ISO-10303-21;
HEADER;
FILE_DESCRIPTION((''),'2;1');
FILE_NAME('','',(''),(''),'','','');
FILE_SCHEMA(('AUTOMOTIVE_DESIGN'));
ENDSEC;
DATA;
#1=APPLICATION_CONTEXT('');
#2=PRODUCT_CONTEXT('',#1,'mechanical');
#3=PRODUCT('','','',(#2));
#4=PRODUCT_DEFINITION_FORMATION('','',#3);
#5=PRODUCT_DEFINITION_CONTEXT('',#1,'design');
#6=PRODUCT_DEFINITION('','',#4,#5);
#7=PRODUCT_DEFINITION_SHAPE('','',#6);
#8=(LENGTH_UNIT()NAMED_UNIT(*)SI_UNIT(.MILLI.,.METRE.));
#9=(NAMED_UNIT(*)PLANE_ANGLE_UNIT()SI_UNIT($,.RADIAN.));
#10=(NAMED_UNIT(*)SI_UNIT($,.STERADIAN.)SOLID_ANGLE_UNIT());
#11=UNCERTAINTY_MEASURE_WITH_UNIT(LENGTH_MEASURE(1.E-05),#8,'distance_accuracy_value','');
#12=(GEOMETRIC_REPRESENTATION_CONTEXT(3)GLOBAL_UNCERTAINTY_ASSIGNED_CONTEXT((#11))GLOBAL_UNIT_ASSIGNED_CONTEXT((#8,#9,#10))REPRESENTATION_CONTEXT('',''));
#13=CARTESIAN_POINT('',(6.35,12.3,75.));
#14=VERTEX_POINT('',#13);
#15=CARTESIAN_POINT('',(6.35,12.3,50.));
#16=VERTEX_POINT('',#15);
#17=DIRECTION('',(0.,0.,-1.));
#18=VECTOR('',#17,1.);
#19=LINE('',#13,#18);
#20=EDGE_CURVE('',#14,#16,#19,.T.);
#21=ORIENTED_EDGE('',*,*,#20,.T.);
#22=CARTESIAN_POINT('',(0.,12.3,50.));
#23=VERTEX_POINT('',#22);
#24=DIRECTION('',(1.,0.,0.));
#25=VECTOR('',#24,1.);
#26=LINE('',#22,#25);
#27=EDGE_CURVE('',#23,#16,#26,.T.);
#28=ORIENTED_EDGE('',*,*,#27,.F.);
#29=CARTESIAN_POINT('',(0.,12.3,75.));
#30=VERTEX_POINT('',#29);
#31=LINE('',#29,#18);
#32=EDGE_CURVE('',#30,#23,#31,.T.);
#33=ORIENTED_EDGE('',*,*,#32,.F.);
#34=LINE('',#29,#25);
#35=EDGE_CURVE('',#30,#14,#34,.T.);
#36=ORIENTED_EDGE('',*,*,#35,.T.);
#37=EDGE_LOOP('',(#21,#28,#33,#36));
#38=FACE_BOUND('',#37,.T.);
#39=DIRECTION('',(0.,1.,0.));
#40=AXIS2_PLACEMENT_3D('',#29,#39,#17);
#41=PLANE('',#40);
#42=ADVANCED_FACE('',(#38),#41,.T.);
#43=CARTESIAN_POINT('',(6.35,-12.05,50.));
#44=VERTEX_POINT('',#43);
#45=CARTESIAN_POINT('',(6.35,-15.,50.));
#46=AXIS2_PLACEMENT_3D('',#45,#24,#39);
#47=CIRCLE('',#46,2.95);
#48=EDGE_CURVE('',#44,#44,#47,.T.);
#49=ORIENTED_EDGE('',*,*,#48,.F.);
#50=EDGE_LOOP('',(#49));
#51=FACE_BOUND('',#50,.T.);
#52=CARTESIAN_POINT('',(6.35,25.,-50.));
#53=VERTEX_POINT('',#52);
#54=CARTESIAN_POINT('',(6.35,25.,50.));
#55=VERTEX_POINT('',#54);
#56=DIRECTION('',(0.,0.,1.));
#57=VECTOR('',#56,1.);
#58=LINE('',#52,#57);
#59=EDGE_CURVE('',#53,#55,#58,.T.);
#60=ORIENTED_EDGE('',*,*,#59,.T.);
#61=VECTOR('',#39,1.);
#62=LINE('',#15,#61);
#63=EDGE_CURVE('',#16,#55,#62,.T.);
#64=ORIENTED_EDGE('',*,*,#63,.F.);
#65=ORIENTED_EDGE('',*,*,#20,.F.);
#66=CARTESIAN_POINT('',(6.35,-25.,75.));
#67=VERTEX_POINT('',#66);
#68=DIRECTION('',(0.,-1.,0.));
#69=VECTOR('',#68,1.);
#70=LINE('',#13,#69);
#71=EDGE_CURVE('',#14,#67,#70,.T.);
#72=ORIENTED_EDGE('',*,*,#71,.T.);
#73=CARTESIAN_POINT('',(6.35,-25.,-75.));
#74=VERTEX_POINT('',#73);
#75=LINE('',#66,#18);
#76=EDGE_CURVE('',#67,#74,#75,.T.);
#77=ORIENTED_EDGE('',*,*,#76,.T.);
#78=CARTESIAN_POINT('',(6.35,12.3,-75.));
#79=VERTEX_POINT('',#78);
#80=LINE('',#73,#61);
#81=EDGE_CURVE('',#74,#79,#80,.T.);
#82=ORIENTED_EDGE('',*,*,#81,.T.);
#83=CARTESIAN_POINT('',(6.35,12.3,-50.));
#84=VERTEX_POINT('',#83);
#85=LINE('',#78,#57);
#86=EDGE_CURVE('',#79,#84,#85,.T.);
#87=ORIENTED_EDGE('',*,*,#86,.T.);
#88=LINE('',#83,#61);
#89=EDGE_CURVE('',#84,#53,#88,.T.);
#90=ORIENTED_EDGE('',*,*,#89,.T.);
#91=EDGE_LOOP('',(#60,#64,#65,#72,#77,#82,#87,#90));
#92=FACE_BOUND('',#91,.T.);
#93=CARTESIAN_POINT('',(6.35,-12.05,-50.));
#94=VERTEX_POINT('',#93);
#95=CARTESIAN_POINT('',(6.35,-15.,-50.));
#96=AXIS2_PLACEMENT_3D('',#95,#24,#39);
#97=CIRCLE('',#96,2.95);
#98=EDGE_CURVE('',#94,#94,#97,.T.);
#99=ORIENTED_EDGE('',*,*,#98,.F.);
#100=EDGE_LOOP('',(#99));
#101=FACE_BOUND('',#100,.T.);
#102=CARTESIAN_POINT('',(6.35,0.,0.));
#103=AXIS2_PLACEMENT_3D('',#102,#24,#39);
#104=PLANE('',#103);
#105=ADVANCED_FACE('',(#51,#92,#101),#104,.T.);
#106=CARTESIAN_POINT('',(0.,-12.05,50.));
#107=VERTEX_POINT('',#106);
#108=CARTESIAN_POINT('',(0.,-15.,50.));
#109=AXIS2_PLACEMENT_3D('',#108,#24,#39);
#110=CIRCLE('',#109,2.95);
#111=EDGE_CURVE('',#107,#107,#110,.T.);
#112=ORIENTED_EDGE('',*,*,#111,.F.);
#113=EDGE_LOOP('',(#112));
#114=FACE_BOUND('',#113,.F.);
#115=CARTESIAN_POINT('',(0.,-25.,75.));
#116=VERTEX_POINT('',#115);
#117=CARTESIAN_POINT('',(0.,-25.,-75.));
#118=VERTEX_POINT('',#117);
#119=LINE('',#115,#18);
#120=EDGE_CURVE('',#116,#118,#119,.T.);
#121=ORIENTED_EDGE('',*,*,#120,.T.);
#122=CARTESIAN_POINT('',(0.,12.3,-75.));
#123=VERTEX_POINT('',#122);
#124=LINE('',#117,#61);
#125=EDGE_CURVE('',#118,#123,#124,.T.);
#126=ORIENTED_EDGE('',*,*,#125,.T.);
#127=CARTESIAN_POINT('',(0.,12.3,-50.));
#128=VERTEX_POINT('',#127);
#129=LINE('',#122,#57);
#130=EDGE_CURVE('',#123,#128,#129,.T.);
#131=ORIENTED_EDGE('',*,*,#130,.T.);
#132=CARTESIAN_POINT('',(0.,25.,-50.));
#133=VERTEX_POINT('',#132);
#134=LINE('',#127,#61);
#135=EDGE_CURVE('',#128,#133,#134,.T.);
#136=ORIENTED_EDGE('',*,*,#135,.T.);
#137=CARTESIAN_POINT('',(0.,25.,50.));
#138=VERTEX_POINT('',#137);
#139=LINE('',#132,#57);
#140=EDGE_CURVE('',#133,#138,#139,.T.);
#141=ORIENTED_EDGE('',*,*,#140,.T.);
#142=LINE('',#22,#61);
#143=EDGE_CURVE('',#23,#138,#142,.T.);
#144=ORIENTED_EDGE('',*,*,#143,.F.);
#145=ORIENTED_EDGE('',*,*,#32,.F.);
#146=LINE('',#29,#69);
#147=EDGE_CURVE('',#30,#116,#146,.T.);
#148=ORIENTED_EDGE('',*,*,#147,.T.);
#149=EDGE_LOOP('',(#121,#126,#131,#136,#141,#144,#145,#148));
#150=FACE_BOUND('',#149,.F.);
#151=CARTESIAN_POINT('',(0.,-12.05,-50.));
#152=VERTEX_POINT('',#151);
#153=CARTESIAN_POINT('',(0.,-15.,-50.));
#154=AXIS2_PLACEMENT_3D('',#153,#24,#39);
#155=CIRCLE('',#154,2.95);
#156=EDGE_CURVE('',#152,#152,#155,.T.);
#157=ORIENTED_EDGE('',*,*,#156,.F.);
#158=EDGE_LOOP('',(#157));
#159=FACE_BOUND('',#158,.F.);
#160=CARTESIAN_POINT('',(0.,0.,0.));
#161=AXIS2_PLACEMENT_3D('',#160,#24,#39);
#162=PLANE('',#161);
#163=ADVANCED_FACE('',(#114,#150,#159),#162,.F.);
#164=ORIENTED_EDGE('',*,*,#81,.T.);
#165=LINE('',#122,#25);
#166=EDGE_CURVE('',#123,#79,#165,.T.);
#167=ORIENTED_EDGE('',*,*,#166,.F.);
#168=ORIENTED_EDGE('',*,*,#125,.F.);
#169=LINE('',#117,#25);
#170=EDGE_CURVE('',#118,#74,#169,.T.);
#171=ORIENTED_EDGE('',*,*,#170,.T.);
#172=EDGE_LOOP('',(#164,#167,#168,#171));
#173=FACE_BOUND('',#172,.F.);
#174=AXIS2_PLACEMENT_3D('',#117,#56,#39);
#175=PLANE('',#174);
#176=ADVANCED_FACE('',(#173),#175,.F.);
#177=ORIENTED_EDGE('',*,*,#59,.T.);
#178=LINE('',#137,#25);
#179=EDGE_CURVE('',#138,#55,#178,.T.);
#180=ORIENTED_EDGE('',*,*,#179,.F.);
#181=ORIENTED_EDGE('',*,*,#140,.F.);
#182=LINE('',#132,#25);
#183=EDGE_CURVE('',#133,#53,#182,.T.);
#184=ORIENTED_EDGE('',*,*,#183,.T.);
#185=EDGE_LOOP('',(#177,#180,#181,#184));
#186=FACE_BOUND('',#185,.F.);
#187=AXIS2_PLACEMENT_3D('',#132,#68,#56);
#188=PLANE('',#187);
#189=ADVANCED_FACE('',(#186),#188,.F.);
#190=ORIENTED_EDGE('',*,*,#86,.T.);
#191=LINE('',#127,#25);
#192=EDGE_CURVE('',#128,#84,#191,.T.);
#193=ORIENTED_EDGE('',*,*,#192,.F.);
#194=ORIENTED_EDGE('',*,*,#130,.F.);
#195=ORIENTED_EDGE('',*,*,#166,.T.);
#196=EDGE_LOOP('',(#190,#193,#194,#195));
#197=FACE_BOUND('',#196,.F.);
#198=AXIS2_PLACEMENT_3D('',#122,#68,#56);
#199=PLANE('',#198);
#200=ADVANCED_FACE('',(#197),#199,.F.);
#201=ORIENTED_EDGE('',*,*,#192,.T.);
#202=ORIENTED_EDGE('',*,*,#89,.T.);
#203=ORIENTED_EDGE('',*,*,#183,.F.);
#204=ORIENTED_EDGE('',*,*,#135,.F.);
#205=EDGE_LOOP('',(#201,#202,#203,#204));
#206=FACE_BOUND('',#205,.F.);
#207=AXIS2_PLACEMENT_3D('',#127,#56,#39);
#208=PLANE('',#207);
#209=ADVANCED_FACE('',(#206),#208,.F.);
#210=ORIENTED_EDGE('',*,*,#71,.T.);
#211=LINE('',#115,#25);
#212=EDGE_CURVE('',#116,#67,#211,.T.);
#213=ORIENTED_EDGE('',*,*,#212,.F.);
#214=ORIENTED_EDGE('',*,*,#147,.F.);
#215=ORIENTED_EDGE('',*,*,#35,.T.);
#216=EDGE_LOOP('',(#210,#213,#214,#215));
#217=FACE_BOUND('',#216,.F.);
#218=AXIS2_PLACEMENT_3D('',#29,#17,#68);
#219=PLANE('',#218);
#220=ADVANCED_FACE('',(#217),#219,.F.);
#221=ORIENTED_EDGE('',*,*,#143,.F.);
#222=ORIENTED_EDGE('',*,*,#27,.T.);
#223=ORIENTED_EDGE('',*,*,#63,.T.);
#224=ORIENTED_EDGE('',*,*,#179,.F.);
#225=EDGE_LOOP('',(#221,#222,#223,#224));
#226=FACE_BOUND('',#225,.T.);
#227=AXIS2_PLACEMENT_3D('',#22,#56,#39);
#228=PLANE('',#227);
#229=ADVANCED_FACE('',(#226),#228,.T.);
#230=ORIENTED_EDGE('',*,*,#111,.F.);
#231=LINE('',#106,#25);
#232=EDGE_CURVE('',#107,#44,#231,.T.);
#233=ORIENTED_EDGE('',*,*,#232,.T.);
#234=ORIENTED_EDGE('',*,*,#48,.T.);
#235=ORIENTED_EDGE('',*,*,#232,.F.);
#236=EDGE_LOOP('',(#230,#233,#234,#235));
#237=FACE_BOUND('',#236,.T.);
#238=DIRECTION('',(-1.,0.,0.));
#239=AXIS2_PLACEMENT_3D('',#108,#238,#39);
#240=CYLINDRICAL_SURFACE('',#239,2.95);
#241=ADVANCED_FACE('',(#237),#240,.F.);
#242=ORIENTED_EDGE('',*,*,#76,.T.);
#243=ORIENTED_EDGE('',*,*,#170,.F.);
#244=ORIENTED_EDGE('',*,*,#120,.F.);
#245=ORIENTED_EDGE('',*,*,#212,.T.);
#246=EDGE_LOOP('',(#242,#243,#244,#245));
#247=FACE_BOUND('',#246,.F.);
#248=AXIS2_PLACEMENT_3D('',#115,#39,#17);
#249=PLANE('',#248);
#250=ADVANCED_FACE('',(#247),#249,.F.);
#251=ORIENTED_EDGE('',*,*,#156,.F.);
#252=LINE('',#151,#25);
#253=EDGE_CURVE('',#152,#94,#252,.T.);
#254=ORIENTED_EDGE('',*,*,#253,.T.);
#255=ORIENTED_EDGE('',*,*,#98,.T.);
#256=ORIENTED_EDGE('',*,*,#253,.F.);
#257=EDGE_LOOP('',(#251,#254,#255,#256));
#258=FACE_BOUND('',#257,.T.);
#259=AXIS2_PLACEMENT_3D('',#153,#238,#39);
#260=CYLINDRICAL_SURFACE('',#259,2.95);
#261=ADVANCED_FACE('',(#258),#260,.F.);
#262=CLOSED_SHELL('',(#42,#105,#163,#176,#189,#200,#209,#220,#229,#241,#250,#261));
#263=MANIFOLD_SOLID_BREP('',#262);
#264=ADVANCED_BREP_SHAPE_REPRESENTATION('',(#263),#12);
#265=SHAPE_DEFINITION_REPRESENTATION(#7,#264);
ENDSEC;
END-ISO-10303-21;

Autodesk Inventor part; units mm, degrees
ref_plane "YZ Plane" through (0, 0, 0) normal (1, 0, 0) x (0, 1, 0)
ref_plane "XZ Plane" through (0, 0, 0) normal (0, 1, 0) x (-1, 0, 0)
ref_plane "XY Plane" through (0, 0, 0) normal (0, 0, 1) x (1, 0, 0)
sketch "Sketch1" plane through (0, 0, 0) normal (1, 0, 0) x (0, 1, 0)
  line L0 (-25, 75) -> (-25, -75)
  line L1 (-25, -75) -> (12.3, -75)
  line L2 (25, -50) -> (25, 50)
  line L3 (12.3, 75) -> (-25, 75)
  line L4 (12.3, 75) -> (12.3, 50)
  line L5 (12.3, 50) -> (25, 50)
  line L6 (12.3, -75) -> (12.3, -50)
  line L7 (12.3, -50) -> (25, -50)
  circle A0 centre (-15, 50) radius 2.95
  circle A1 centre (-15, -50) radius 2.95
  point P0 (0, 0)
  point P1 (25, 0)
  point P2 (0, 75)
  point P3 (18.65, 50)
  point P4 (18.65, -50)
  point P5 (25, 0)
  dimension "d0" = 150
  dimension "d2" = 12.7
  dimension "d3" = 25
  dimension "d4" = 12.7
  dimension "d5" = 25
  dimension "d6" = 50
  dimension "d7" = 5.9
  dimension "d8" = 5.9
  dimension "d9" = 10
extrude "Extrusion1" add sketch "Sketch1" along normal blind 6.35
properties part number "SideV1"
